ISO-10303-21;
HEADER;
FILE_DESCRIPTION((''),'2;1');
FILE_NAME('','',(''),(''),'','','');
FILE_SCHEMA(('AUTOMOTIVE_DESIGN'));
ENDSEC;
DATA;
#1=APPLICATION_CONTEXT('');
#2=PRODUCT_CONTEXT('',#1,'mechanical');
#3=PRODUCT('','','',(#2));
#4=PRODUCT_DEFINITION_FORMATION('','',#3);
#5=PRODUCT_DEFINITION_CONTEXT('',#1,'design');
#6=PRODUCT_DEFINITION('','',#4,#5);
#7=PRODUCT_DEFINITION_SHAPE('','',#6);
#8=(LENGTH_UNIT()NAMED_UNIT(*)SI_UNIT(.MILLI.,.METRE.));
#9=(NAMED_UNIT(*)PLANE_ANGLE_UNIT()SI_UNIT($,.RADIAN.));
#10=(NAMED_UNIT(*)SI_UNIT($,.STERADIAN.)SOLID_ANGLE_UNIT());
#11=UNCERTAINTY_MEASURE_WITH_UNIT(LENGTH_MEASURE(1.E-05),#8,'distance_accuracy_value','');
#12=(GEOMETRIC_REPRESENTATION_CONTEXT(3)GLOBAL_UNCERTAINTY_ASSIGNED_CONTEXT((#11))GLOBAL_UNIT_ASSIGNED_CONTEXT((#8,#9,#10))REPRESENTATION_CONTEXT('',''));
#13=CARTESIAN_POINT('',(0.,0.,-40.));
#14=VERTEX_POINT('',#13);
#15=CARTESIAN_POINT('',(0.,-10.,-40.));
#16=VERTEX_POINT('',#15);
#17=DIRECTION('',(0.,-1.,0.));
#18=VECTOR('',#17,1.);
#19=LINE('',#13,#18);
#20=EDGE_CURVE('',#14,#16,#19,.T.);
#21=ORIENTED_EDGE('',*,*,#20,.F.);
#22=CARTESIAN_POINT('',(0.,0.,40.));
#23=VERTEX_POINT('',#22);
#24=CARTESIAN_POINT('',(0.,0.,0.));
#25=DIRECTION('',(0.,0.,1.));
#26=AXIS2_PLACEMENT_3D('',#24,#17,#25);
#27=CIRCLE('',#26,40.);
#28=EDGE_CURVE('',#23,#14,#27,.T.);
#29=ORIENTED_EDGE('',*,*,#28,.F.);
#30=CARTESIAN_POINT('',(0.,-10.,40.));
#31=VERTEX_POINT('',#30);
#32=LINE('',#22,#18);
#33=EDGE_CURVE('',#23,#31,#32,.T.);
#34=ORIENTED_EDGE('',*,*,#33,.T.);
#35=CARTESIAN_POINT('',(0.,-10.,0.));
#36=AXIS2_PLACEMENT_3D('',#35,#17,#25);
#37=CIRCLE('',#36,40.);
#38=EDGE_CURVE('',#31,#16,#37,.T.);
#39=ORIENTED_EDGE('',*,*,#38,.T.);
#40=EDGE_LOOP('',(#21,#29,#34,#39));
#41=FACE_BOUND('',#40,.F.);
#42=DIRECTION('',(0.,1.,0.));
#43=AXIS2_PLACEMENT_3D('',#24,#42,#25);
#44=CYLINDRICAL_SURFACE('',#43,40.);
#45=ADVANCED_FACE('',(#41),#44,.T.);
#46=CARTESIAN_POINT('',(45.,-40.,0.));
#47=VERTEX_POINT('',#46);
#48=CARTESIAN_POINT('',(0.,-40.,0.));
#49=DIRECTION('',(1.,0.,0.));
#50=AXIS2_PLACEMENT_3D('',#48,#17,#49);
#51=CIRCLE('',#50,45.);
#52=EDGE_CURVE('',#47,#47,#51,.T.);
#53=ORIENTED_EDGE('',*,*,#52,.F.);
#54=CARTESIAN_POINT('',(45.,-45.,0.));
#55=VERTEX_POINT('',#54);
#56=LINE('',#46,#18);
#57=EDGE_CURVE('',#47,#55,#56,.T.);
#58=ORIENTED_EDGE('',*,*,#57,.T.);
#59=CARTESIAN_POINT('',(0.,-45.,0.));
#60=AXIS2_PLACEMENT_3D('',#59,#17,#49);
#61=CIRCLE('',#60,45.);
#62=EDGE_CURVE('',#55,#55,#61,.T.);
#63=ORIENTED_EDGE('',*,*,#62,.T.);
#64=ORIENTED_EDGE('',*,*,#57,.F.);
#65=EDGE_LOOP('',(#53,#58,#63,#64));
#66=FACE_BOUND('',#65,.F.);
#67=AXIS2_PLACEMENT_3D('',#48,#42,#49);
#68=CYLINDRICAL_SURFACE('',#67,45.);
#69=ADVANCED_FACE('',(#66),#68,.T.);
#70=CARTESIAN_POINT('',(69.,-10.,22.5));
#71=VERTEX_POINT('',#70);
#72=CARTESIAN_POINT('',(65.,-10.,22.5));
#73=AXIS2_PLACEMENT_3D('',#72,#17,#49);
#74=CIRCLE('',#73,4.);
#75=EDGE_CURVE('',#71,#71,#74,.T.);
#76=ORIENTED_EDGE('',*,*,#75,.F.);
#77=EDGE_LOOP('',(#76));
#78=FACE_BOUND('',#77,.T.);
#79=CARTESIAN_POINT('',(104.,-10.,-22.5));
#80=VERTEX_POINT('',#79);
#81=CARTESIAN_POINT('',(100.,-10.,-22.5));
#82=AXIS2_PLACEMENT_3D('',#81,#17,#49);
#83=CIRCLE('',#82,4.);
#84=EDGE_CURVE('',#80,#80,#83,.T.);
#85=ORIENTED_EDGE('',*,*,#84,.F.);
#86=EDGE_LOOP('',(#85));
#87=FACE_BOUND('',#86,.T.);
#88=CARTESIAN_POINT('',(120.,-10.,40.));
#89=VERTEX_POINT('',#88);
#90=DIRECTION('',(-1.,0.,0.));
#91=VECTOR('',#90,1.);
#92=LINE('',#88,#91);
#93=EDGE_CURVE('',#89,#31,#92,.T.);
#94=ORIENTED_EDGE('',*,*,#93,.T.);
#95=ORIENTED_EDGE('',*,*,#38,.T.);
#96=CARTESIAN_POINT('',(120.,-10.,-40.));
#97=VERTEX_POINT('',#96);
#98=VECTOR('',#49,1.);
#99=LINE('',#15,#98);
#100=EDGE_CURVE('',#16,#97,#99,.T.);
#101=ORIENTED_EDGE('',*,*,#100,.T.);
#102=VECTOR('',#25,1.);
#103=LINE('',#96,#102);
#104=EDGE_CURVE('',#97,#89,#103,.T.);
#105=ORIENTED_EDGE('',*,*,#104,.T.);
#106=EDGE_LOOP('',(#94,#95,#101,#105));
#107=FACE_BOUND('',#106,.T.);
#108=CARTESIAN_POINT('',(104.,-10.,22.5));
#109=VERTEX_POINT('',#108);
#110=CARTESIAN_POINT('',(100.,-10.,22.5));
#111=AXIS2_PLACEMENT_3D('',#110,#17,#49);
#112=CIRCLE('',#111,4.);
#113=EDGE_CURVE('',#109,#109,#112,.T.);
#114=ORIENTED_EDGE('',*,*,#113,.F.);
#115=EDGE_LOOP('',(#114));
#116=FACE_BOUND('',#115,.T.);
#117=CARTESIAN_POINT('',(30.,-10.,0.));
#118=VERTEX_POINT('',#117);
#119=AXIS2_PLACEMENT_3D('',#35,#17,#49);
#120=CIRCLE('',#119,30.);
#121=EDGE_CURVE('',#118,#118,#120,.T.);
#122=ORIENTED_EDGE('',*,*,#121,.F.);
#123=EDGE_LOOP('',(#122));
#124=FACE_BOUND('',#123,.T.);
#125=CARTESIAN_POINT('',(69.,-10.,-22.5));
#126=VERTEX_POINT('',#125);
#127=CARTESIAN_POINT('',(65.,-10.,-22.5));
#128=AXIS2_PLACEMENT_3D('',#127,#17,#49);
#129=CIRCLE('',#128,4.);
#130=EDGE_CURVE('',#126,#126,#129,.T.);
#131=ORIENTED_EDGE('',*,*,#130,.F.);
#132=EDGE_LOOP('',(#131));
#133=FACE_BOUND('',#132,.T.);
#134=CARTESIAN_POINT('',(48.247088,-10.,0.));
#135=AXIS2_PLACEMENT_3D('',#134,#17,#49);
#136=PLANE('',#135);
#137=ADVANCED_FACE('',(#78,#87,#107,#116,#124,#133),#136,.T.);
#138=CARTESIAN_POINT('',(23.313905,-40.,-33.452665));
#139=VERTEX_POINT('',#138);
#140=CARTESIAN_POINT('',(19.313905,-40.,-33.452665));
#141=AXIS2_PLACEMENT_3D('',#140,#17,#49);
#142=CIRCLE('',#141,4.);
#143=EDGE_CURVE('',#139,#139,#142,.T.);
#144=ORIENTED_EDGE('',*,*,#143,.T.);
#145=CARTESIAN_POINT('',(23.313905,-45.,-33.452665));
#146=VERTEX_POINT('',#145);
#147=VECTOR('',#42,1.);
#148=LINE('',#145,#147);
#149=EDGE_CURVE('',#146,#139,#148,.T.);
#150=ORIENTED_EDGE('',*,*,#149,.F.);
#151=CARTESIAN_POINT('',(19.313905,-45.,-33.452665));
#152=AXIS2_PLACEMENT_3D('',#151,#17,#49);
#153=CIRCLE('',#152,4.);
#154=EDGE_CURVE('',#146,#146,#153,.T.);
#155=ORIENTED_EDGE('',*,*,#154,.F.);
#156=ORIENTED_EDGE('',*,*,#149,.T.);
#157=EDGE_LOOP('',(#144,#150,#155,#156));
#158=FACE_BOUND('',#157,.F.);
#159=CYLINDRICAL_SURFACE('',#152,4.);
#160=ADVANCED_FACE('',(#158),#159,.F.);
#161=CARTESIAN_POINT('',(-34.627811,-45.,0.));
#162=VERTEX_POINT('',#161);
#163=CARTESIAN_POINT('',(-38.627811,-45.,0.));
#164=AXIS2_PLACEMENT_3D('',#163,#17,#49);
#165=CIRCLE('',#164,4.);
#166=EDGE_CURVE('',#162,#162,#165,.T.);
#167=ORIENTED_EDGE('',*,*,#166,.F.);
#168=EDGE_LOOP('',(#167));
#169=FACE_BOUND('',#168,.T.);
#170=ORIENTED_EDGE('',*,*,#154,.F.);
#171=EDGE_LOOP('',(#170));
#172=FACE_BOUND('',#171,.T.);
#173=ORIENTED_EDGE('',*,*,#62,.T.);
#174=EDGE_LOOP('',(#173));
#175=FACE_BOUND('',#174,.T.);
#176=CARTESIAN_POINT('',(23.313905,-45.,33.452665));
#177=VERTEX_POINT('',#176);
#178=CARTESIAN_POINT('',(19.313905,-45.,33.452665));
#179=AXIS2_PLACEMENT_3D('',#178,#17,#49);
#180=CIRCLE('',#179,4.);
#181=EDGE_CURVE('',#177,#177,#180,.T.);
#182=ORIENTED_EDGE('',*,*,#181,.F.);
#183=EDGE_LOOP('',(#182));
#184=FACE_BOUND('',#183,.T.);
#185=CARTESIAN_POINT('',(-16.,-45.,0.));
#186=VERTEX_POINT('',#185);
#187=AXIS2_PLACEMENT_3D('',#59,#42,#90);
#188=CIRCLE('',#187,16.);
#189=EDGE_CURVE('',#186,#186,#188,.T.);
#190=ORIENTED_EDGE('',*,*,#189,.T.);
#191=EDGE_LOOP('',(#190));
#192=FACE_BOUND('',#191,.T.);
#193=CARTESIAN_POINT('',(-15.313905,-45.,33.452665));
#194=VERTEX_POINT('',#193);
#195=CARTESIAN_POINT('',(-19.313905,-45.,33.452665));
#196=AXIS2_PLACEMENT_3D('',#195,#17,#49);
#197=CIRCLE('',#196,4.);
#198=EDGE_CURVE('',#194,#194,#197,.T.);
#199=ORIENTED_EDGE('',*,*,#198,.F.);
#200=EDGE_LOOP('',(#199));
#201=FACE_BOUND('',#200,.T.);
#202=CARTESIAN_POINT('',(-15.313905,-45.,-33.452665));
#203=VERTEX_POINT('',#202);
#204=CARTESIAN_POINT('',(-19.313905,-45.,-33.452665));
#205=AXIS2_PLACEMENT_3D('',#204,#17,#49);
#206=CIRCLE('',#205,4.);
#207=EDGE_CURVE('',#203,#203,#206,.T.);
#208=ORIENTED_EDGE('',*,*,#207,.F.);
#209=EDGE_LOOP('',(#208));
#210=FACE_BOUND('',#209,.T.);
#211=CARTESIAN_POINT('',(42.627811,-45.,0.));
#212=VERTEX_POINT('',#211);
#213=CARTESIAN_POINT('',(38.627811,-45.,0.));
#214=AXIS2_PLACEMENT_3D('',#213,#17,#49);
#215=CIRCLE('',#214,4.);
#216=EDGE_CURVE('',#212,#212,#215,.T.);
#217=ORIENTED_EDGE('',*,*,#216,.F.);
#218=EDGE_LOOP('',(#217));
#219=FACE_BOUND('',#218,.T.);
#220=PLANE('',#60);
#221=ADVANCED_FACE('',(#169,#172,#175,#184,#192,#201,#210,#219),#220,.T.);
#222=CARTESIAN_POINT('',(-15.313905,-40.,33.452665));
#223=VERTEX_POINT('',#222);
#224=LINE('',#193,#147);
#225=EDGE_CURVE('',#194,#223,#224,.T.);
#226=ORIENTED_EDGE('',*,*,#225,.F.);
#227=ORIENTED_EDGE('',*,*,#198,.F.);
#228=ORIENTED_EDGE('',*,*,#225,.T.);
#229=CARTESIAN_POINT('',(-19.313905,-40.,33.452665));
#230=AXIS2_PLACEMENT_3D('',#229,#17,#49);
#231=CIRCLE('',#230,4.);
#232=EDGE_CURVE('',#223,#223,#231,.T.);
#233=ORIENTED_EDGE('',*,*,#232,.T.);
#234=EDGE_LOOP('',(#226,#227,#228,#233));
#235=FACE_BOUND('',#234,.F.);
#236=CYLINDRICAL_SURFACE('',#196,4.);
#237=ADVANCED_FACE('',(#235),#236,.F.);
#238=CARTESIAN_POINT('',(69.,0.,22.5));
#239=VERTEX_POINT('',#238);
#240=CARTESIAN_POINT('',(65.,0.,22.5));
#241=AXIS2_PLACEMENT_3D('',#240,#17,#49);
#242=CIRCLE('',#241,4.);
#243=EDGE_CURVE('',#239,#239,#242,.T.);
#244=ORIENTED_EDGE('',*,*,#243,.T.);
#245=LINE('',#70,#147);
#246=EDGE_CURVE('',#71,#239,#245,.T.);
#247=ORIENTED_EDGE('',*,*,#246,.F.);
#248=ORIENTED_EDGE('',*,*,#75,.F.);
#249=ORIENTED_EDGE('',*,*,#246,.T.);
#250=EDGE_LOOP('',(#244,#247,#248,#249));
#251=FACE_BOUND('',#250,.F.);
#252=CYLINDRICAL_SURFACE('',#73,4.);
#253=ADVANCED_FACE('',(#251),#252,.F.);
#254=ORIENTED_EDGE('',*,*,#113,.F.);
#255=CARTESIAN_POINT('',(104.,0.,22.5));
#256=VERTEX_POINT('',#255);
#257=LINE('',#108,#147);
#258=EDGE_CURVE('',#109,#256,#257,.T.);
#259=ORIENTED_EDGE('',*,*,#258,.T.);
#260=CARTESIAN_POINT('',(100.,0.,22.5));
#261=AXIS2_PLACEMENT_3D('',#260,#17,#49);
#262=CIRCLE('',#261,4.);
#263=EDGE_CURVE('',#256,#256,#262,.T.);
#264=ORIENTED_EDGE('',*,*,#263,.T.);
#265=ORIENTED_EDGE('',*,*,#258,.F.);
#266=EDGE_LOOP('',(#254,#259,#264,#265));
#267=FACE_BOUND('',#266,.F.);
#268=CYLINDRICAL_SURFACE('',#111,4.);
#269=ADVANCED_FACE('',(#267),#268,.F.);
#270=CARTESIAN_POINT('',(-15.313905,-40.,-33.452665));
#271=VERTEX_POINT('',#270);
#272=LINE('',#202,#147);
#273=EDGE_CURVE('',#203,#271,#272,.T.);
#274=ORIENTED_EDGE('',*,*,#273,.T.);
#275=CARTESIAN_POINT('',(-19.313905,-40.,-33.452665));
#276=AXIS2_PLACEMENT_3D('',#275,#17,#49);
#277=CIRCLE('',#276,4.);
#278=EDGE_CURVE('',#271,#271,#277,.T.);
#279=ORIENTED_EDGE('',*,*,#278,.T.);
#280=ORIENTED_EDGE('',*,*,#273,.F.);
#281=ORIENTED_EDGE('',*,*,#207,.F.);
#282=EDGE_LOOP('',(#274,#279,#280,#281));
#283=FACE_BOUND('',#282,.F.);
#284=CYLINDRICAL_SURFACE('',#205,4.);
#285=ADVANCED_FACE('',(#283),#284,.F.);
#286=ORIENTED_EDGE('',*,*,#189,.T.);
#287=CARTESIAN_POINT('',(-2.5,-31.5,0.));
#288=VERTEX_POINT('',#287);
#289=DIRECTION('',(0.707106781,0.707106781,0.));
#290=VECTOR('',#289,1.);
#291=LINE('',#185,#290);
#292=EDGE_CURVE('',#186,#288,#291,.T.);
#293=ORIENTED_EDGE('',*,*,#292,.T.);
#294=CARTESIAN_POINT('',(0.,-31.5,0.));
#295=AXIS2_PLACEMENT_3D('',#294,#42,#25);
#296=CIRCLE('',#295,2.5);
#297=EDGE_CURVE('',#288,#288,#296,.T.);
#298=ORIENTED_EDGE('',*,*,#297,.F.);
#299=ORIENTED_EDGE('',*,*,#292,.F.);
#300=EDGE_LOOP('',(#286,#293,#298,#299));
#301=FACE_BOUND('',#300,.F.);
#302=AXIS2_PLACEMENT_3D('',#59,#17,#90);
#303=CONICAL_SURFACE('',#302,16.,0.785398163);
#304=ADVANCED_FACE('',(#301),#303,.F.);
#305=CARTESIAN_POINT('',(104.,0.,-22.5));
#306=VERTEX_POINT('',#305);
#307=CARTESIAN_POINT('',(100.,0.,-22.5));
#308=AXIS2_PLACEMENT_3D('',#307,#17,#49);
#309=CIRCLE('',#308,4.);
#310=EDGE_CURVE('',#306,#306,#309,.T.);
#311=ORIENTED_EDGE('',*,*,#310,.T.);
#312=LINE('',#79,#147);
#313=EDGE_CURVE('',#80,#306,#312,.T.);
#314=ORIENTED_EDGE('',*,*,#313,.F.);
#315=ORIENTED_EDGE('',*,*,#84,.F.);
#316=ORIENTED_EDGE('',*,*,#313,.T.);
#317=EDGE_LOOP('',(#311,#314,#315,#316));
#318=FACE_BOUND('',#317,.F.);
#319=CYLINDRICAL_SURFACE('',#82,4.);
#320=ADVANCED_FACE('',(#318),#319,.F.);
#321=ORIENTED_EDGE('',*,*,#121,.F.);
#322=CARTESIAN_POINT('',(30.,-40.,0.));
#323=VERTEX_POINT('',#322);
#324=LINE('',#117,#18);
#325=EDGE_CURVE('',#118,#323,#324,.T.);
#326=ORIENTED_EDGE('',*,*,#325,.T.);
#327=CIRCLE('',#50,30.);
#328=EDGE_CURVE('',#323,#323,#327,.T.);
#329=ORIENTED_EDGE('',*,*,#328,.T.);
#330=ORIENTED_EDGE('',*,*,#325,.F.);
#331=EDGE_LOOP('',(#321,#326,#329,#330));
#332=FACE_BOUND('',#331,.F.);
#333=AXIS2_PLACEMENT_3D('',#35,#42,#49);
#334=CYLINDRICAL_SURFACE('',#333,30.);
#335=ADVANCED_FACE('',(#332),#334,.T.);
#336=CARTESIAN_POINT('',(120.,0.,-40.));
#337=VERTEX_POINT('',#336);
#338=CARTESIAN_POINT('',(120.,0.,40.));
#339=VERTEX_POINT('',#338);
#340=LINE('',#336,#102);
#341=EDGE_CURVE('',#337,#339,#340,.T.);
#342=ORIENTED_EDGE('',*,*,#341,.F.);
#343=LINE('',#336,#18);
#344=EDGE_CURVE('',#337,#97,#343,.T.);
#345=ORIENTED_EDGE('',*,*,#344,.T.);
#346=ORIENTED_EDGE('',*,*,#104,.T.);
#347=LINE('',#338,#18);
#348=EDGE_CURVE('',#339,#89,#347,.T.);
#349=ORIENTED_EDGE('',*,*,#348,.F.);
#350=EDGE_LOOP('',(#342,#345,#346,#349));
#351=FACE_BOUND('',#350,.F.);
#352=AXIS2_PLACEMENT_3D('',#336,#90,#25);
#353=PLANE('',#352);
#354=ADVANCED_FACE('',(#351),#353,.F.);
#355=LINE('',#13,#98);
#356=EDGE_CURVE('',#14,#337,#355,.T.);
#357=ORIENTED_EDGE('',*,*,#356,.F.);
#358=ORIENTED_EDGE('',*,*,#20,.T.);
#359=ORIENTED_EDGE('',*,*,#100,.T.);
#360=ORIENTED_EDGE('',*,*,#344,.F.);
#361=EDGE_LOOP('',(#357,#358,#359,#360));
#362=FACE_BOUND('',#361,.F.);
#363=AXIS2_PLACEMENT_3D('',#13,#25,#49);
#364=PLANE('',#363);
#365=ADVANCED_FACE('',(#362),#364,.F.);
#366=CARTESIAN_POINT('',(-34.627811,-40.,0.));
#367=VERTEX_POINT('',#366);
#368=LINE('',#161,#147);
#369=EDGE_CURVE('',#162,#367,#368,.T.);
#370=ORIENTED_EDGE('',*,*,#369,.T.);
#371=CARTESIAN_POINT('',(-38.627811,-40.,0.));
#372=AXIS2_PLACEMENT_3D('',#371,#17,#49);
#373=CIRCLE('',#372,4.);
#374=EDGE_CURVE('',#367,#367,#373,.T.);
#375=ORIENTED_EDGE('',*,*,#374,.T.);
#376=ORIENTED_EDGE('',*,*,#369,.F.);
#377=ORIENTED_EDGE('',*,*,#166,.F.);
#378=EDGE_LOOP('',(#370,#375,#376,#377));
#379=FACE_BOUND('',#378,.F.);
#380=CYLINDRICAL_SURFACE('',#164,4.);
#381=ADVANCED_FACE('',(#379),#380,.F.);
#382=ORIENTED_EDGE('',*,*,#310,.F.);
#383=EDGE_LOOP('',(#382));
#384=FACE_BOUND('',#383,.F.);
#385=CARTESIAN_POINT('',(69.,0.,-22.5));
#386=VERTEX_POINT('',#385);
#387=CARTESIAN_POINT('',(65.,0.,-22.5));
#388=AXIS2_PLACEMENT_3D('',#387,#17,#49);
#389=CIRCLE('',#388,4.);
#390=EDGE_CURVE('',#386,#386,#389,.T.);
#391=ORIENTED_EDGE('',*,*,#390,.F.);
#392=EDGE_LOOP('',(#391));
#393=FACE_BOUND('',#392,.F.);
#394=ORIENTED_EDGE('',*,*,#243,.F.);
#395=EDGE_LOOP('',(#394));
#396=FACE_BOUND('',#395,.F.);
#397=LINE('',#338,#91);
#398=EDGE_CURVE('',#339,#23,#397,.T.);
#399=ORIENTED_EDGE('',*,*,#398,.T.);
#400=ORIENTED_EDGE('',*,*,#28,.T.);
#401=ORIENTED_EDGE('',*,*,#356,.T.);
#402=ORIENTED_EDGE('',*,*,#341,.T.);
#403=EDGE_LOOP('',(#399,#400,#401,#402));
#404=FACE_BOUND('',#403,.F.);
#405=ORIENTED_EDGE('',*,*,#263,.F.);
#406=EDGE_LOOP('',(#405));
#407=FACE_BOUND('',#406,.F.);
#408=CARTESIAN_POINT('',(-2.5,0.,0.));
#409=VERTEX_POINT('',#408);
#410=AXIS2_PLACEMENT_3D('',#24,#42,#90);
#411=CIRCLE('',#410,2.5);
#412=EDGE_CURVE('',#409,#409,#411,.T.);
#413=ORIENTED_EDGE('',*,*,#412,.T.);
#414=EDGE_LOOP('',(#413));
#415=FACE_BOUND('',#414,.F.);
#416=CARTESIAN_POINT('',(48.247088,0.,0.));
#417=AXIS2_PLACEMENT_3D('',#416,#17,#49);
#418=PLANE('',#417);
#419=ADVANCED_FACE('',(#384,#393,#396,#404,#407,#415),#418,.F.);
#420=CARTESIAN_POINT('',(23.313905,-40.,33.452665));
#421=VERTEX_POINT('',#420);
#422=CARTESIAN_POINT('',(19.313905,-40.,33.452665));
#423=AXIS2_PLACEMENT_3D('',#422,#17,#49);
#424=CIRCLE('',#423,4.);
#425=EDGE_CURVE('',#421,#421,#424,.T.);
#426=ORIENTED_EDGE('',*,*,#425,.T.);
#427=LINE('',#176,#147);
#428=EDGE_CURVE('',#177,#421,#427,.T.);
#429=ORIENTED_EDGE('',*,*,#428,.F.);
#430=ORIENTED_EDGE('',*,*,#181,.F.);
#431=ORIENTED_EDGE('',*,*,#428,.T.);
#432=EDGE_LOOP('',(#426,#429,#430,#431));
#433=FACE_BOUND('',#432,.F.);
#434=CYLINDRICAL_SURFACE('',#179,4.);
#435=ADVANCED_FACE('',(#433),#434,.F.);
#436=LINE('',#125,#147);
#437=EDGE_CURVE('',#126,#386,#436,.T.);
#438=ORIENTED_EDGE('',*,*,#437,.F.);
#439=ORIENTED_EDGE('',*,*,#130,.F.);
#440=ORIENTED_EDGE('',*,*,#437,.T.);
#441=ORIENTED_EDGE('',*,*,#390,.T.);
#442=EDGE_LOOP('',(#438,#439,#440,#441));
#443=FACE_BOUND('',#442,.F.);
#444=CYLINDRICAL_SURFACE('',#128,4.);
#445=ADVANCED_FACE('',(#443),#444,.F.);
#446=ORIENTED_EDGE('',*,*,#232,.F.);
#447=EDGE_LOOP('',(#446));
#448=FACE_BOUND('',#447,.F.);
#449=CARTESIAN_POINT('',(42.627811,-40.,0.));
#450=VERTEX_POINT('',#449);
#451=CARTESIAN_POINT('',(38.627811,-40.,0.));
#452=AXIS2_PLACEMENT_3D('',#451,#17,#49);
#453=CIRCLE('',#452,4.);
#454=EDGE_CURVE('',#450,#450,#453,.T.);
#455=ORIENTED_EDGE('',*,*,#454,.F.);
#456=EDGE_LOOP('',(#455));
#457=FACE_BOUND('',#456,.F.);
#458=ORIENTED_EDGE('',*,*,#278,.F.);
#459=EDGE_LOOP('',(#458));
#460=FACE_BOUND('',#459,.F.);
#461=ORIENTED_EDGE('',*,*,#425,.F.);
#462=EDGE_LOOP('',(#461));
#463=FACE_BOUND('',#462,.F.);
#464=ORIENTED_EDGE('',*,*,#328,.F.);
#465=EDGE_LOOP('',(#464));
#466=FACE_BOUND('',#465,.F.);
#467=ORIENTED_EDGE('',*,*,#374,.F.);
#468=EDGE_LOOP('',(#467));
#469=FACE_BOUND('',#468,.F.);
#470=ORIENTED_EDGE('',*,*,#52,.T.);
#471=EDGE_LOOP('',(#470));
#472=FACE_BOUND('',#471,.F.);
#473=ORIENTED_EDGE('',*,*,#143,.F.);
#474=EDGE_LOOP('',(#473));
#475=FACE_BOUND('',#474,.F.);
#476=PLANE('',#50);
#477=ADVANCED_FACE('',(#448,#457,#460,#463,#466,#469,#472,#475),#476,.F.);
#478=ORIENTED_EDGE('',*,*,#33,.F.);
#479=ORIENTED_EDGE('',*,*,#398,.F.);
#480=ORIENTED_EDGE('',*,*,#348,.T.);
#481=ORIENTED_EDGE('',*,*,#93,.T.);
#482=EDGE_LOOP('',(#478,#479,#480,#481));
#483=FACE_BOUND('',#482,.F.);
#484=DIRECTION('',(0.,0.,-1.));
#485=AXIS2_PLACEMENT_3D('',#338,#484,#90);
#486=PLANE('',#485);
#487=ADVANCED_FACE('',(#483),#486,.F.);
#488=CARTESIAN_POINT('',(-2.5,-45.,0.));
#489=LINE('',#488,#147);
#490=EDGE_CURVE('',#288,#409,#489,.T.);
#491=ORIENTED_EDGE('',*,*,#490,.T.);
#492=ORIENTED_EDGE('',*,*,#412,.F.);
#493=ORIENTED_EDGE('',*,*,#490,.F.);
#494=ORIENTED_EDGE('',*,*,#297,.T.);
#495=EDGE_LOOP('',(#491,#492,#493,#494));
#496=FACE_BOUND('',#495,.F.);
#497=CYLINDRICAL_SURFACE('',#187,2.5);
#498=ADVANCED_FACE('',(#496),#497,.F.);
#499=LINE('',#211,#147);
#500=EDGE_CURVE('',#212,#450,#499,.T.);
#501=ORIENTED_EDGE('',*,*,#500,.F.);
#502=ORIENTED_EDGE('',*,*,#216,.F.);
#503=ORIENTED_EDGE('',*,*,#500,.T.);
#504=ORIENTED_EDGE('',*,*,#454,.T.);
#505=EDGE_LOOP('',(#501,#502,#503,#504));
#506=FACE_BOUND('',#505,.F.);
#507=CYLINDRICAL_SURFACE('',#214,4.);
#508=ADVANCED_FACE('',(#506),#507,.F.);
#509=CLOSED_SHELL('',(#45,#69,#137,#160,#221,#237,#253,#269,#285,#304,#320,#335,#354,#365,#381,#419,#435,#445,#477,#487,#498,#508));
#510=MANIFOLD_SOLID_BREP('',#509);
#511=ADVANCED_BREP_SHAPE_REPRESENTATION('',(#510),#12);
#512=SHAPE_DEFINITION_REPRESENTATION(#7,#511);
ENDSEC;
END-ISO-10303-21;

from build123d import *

# Parameters (mm, degrees)
F1_DEPTH        = 10
F2_R            = 30
F3_DEPTH        = 30
F4_R            = 45
F4_R_2          = 30
F5_DEPTH        = 5
F6_R            = 4
F7_DEPTH        = 5
F8_R            = 4
F9_DEPTH        = 10.001
F11_D           = 5
F11_CSINK_D     = 32
F11_CSINK_ANGLE = 90


with BuildPart() as f1:
    # F0 (on Front) → F1 (new body)
    with BuildSketch(Plane.XZ):
        with BuildLine():
            Line((120, 40), (0, 40))
            ThreePointArc((0, 40), (-40, 0), (0, -40))
            Line((0, -40), (120, -40))
            Line((120, -40), (120, 40))
        make_face()
    extrude(amount=F1_DEPTH)

    # F2 (on face) → F3 (join)
    with BuildSketch(Plane.XZ.offset(10)):
        Circle(F2_R)
    extrude(amount=F3_DEPTH)

    # F4 (on face) → F5 (join)
    with BuildSketch(Plane.XZ.offset(40)):
        Circle(F4_R)
        Circle(F4_R_2, mode=Mode.SUBTRACT)
        Circle(F4_R_2)
    extrude(amount=F5_DEPTH)

    # F6 (on face) → F7 (cut, through all)
    with BuildSketch(Plane.XZ.offset(45)):
        with Locations((-19.3139053881, 33.4526654248)):
            Circle(F6_R)
        with Locations((19.3139053881, 33.4526654248)):
            Circle(F6_R)
        with Locations((38.6278107762, 0)):
            Circle(F6_R)
        with Locations((19.3139053881, -33.4526654248)):
            Circle(F6_R)
        with Locations((-19.3139053881, -33.4526654248)):
            Circle(F6_R)
        with Locations((-38.6278107762, 0)):
            Circle(F6_R)
    extrude(amount=-F7_DEPTH, mode=Mode.SUBTRACT)

    # F8 (on face) → F9 (cut, through all)
    with BuildSketch(Plane.XZ.offset(10)):
        with Locations((65, 22.5)):
            Circle(F8_R)
        with Locations((100, 22.5)):
            Circle(F8_R)
        with Locations((65, -22.5)):
            Circle(F8_R)
        with Locations((100, -22.5)):
            Circle(F8_R)
    extrude(amount=-F9_DEPTH, mode=Mode.SUBTRACT)

    # F11 (through all)
    with Locations(Plane.XZ.offset(45)):
        with Locations((0, 0)):
            CounterSinkHole(F11_D / 2, F11_CSINK_D / 2, counter_sink_angle=F11_CSINK_ANGLE)


solid = f1.part
